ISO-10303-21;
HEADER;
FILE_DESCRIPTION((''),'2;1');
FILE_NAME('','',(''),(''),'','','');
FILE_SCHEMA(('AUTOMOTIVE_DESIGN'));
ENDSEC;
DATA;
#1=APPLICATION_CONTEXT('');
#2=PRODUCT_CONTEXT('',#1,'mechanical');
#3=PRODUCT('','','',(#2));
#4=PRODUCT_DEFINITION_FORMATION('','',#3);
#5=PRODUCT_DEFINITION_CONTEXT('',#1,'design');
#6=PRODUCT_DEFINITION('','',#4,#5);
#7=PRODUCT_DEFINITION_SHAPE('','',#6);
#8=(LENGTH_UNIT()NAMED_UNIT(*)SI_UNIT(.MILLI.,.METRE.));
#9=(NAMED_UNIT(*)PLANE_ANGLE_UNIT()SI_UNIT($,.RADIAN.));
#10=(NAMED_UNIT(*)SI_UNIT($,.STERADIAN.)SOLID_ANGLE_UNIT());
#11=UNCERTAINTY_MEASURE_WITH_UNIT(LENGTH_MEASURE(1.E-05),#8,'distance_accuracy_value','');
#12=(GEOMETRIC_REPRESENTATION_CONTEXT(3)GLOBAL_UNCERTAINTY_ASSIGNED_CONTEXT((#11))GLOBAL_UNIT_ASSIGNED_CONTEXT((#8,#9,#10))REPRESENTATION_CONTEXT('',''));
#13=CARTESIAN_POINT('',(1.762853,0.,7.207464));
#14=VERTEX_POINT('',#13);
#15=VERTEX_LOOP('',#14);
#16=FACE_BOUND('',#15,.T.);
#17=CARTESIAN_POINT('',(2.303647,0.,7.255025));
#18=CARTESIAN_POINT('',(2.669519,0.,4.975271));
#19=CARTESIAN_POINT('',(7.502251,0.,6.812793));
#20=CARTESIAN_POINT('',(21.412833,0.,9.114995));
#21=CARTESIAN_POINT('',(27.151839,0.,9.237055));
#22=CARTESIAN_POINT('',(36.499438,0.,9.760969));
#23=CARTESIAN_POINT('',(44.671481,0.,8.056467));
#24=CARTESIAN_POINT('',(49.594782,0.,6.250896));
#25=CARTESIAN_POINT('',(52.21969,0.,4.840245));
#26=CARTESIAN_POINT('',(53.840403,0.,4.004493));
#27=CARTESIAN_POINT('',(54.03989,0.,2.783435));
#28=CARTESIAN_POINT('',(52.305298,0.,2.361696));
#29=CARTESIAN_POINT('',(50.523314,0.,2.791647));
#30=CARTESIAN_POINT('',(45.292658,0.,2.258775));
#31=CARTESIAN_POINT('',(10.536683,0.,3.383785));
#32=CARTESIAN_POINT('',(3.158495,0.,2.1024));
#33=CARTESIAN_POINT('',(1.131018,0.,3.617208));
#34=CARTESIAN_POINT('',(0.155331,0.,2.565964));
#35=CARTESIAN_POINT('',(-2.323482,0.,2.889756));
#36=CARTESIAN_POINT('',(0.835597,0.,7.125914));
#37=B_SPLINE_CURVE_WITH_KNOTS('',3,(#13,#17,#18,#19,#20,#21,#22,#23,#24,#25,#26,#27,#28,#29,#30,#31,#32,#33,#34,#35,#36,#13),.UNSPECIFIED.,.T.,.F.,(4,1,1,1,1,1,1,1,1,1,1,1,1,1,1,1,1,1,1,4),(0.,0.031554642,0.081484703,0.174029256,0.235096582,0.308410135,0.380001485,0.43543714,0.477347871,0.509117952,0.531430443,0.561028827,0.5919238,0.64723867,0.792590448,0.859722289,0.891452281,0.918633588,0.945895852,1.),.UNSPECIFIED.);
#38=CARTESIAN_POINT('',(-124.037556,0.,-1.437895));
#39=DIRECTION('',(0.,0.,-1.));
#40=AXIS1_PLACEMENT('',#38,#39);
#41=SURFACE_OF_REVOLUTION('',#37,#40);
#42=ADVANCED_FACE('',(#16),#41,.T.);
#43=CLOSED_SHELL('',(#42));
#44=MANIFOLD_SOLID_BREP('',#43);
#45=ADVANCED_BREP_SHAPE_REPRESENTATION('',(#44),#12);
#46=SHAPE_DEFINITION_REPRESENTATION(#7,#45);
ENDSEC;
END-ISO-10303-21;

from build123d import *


with BuildPart() as f1:
    # F0 (on Front) → F1 (revolve)
    with BuildSketch(Plane.XZ):
        with BuildLine():
            add(Edge.make_bspline(
                [(1.7628526548, 7.2074639611), (2.3036472682, 7.2550254941), (2.6695187512, 4.9752709814), (7.5022511582, 6.8127933081), (21.4128327847, 9.1149952571), (27.1518388798, 9.2370545679), (36.4994380914, 9.7609693181), (44.671480766, 8.0564666902), (49.5947816835, 6.2508963942), (52.2196903365, 4.8402451975), (53.8404029473, 4.0044927816), (54.0398900217, 2.7834346726), (52.3052976981, 2.3616962205), (50.5233140612, 2.7916472063), (45.2926581935, 2.2587747277), (10.5366829197, 3.3837849737), (3.1584954028, 2.102399863), (1.13101815, 3.6172075254), (0.1553308185, 2.5659641887), (-2.3234816894, 2.8897561591), (0.8355966262, 7.1259141137), (1.7628526548, 7.2074639611)],
                knots=[0, 0, 0, 0, 0.0315546418, 0.0814847029, 0.1740292558, 0.2350965824, 0.3084101346, 0.380001485, 0.4354371396, 0.4773478712, 0.5091179516, 0.5314304432, 0.5610288267, 0.5919238002, 0.6472386702, 0.7925904479, 0.8597222886, 0.8914522812, 0.9186335884, 0.945895852, 1, 1, 1, 1], degree=3))
        make_face()
    revolve(axis=Axis((-124.0375563502, 0, -1.437895), (0, 0, -1)))


solid = f1.part
